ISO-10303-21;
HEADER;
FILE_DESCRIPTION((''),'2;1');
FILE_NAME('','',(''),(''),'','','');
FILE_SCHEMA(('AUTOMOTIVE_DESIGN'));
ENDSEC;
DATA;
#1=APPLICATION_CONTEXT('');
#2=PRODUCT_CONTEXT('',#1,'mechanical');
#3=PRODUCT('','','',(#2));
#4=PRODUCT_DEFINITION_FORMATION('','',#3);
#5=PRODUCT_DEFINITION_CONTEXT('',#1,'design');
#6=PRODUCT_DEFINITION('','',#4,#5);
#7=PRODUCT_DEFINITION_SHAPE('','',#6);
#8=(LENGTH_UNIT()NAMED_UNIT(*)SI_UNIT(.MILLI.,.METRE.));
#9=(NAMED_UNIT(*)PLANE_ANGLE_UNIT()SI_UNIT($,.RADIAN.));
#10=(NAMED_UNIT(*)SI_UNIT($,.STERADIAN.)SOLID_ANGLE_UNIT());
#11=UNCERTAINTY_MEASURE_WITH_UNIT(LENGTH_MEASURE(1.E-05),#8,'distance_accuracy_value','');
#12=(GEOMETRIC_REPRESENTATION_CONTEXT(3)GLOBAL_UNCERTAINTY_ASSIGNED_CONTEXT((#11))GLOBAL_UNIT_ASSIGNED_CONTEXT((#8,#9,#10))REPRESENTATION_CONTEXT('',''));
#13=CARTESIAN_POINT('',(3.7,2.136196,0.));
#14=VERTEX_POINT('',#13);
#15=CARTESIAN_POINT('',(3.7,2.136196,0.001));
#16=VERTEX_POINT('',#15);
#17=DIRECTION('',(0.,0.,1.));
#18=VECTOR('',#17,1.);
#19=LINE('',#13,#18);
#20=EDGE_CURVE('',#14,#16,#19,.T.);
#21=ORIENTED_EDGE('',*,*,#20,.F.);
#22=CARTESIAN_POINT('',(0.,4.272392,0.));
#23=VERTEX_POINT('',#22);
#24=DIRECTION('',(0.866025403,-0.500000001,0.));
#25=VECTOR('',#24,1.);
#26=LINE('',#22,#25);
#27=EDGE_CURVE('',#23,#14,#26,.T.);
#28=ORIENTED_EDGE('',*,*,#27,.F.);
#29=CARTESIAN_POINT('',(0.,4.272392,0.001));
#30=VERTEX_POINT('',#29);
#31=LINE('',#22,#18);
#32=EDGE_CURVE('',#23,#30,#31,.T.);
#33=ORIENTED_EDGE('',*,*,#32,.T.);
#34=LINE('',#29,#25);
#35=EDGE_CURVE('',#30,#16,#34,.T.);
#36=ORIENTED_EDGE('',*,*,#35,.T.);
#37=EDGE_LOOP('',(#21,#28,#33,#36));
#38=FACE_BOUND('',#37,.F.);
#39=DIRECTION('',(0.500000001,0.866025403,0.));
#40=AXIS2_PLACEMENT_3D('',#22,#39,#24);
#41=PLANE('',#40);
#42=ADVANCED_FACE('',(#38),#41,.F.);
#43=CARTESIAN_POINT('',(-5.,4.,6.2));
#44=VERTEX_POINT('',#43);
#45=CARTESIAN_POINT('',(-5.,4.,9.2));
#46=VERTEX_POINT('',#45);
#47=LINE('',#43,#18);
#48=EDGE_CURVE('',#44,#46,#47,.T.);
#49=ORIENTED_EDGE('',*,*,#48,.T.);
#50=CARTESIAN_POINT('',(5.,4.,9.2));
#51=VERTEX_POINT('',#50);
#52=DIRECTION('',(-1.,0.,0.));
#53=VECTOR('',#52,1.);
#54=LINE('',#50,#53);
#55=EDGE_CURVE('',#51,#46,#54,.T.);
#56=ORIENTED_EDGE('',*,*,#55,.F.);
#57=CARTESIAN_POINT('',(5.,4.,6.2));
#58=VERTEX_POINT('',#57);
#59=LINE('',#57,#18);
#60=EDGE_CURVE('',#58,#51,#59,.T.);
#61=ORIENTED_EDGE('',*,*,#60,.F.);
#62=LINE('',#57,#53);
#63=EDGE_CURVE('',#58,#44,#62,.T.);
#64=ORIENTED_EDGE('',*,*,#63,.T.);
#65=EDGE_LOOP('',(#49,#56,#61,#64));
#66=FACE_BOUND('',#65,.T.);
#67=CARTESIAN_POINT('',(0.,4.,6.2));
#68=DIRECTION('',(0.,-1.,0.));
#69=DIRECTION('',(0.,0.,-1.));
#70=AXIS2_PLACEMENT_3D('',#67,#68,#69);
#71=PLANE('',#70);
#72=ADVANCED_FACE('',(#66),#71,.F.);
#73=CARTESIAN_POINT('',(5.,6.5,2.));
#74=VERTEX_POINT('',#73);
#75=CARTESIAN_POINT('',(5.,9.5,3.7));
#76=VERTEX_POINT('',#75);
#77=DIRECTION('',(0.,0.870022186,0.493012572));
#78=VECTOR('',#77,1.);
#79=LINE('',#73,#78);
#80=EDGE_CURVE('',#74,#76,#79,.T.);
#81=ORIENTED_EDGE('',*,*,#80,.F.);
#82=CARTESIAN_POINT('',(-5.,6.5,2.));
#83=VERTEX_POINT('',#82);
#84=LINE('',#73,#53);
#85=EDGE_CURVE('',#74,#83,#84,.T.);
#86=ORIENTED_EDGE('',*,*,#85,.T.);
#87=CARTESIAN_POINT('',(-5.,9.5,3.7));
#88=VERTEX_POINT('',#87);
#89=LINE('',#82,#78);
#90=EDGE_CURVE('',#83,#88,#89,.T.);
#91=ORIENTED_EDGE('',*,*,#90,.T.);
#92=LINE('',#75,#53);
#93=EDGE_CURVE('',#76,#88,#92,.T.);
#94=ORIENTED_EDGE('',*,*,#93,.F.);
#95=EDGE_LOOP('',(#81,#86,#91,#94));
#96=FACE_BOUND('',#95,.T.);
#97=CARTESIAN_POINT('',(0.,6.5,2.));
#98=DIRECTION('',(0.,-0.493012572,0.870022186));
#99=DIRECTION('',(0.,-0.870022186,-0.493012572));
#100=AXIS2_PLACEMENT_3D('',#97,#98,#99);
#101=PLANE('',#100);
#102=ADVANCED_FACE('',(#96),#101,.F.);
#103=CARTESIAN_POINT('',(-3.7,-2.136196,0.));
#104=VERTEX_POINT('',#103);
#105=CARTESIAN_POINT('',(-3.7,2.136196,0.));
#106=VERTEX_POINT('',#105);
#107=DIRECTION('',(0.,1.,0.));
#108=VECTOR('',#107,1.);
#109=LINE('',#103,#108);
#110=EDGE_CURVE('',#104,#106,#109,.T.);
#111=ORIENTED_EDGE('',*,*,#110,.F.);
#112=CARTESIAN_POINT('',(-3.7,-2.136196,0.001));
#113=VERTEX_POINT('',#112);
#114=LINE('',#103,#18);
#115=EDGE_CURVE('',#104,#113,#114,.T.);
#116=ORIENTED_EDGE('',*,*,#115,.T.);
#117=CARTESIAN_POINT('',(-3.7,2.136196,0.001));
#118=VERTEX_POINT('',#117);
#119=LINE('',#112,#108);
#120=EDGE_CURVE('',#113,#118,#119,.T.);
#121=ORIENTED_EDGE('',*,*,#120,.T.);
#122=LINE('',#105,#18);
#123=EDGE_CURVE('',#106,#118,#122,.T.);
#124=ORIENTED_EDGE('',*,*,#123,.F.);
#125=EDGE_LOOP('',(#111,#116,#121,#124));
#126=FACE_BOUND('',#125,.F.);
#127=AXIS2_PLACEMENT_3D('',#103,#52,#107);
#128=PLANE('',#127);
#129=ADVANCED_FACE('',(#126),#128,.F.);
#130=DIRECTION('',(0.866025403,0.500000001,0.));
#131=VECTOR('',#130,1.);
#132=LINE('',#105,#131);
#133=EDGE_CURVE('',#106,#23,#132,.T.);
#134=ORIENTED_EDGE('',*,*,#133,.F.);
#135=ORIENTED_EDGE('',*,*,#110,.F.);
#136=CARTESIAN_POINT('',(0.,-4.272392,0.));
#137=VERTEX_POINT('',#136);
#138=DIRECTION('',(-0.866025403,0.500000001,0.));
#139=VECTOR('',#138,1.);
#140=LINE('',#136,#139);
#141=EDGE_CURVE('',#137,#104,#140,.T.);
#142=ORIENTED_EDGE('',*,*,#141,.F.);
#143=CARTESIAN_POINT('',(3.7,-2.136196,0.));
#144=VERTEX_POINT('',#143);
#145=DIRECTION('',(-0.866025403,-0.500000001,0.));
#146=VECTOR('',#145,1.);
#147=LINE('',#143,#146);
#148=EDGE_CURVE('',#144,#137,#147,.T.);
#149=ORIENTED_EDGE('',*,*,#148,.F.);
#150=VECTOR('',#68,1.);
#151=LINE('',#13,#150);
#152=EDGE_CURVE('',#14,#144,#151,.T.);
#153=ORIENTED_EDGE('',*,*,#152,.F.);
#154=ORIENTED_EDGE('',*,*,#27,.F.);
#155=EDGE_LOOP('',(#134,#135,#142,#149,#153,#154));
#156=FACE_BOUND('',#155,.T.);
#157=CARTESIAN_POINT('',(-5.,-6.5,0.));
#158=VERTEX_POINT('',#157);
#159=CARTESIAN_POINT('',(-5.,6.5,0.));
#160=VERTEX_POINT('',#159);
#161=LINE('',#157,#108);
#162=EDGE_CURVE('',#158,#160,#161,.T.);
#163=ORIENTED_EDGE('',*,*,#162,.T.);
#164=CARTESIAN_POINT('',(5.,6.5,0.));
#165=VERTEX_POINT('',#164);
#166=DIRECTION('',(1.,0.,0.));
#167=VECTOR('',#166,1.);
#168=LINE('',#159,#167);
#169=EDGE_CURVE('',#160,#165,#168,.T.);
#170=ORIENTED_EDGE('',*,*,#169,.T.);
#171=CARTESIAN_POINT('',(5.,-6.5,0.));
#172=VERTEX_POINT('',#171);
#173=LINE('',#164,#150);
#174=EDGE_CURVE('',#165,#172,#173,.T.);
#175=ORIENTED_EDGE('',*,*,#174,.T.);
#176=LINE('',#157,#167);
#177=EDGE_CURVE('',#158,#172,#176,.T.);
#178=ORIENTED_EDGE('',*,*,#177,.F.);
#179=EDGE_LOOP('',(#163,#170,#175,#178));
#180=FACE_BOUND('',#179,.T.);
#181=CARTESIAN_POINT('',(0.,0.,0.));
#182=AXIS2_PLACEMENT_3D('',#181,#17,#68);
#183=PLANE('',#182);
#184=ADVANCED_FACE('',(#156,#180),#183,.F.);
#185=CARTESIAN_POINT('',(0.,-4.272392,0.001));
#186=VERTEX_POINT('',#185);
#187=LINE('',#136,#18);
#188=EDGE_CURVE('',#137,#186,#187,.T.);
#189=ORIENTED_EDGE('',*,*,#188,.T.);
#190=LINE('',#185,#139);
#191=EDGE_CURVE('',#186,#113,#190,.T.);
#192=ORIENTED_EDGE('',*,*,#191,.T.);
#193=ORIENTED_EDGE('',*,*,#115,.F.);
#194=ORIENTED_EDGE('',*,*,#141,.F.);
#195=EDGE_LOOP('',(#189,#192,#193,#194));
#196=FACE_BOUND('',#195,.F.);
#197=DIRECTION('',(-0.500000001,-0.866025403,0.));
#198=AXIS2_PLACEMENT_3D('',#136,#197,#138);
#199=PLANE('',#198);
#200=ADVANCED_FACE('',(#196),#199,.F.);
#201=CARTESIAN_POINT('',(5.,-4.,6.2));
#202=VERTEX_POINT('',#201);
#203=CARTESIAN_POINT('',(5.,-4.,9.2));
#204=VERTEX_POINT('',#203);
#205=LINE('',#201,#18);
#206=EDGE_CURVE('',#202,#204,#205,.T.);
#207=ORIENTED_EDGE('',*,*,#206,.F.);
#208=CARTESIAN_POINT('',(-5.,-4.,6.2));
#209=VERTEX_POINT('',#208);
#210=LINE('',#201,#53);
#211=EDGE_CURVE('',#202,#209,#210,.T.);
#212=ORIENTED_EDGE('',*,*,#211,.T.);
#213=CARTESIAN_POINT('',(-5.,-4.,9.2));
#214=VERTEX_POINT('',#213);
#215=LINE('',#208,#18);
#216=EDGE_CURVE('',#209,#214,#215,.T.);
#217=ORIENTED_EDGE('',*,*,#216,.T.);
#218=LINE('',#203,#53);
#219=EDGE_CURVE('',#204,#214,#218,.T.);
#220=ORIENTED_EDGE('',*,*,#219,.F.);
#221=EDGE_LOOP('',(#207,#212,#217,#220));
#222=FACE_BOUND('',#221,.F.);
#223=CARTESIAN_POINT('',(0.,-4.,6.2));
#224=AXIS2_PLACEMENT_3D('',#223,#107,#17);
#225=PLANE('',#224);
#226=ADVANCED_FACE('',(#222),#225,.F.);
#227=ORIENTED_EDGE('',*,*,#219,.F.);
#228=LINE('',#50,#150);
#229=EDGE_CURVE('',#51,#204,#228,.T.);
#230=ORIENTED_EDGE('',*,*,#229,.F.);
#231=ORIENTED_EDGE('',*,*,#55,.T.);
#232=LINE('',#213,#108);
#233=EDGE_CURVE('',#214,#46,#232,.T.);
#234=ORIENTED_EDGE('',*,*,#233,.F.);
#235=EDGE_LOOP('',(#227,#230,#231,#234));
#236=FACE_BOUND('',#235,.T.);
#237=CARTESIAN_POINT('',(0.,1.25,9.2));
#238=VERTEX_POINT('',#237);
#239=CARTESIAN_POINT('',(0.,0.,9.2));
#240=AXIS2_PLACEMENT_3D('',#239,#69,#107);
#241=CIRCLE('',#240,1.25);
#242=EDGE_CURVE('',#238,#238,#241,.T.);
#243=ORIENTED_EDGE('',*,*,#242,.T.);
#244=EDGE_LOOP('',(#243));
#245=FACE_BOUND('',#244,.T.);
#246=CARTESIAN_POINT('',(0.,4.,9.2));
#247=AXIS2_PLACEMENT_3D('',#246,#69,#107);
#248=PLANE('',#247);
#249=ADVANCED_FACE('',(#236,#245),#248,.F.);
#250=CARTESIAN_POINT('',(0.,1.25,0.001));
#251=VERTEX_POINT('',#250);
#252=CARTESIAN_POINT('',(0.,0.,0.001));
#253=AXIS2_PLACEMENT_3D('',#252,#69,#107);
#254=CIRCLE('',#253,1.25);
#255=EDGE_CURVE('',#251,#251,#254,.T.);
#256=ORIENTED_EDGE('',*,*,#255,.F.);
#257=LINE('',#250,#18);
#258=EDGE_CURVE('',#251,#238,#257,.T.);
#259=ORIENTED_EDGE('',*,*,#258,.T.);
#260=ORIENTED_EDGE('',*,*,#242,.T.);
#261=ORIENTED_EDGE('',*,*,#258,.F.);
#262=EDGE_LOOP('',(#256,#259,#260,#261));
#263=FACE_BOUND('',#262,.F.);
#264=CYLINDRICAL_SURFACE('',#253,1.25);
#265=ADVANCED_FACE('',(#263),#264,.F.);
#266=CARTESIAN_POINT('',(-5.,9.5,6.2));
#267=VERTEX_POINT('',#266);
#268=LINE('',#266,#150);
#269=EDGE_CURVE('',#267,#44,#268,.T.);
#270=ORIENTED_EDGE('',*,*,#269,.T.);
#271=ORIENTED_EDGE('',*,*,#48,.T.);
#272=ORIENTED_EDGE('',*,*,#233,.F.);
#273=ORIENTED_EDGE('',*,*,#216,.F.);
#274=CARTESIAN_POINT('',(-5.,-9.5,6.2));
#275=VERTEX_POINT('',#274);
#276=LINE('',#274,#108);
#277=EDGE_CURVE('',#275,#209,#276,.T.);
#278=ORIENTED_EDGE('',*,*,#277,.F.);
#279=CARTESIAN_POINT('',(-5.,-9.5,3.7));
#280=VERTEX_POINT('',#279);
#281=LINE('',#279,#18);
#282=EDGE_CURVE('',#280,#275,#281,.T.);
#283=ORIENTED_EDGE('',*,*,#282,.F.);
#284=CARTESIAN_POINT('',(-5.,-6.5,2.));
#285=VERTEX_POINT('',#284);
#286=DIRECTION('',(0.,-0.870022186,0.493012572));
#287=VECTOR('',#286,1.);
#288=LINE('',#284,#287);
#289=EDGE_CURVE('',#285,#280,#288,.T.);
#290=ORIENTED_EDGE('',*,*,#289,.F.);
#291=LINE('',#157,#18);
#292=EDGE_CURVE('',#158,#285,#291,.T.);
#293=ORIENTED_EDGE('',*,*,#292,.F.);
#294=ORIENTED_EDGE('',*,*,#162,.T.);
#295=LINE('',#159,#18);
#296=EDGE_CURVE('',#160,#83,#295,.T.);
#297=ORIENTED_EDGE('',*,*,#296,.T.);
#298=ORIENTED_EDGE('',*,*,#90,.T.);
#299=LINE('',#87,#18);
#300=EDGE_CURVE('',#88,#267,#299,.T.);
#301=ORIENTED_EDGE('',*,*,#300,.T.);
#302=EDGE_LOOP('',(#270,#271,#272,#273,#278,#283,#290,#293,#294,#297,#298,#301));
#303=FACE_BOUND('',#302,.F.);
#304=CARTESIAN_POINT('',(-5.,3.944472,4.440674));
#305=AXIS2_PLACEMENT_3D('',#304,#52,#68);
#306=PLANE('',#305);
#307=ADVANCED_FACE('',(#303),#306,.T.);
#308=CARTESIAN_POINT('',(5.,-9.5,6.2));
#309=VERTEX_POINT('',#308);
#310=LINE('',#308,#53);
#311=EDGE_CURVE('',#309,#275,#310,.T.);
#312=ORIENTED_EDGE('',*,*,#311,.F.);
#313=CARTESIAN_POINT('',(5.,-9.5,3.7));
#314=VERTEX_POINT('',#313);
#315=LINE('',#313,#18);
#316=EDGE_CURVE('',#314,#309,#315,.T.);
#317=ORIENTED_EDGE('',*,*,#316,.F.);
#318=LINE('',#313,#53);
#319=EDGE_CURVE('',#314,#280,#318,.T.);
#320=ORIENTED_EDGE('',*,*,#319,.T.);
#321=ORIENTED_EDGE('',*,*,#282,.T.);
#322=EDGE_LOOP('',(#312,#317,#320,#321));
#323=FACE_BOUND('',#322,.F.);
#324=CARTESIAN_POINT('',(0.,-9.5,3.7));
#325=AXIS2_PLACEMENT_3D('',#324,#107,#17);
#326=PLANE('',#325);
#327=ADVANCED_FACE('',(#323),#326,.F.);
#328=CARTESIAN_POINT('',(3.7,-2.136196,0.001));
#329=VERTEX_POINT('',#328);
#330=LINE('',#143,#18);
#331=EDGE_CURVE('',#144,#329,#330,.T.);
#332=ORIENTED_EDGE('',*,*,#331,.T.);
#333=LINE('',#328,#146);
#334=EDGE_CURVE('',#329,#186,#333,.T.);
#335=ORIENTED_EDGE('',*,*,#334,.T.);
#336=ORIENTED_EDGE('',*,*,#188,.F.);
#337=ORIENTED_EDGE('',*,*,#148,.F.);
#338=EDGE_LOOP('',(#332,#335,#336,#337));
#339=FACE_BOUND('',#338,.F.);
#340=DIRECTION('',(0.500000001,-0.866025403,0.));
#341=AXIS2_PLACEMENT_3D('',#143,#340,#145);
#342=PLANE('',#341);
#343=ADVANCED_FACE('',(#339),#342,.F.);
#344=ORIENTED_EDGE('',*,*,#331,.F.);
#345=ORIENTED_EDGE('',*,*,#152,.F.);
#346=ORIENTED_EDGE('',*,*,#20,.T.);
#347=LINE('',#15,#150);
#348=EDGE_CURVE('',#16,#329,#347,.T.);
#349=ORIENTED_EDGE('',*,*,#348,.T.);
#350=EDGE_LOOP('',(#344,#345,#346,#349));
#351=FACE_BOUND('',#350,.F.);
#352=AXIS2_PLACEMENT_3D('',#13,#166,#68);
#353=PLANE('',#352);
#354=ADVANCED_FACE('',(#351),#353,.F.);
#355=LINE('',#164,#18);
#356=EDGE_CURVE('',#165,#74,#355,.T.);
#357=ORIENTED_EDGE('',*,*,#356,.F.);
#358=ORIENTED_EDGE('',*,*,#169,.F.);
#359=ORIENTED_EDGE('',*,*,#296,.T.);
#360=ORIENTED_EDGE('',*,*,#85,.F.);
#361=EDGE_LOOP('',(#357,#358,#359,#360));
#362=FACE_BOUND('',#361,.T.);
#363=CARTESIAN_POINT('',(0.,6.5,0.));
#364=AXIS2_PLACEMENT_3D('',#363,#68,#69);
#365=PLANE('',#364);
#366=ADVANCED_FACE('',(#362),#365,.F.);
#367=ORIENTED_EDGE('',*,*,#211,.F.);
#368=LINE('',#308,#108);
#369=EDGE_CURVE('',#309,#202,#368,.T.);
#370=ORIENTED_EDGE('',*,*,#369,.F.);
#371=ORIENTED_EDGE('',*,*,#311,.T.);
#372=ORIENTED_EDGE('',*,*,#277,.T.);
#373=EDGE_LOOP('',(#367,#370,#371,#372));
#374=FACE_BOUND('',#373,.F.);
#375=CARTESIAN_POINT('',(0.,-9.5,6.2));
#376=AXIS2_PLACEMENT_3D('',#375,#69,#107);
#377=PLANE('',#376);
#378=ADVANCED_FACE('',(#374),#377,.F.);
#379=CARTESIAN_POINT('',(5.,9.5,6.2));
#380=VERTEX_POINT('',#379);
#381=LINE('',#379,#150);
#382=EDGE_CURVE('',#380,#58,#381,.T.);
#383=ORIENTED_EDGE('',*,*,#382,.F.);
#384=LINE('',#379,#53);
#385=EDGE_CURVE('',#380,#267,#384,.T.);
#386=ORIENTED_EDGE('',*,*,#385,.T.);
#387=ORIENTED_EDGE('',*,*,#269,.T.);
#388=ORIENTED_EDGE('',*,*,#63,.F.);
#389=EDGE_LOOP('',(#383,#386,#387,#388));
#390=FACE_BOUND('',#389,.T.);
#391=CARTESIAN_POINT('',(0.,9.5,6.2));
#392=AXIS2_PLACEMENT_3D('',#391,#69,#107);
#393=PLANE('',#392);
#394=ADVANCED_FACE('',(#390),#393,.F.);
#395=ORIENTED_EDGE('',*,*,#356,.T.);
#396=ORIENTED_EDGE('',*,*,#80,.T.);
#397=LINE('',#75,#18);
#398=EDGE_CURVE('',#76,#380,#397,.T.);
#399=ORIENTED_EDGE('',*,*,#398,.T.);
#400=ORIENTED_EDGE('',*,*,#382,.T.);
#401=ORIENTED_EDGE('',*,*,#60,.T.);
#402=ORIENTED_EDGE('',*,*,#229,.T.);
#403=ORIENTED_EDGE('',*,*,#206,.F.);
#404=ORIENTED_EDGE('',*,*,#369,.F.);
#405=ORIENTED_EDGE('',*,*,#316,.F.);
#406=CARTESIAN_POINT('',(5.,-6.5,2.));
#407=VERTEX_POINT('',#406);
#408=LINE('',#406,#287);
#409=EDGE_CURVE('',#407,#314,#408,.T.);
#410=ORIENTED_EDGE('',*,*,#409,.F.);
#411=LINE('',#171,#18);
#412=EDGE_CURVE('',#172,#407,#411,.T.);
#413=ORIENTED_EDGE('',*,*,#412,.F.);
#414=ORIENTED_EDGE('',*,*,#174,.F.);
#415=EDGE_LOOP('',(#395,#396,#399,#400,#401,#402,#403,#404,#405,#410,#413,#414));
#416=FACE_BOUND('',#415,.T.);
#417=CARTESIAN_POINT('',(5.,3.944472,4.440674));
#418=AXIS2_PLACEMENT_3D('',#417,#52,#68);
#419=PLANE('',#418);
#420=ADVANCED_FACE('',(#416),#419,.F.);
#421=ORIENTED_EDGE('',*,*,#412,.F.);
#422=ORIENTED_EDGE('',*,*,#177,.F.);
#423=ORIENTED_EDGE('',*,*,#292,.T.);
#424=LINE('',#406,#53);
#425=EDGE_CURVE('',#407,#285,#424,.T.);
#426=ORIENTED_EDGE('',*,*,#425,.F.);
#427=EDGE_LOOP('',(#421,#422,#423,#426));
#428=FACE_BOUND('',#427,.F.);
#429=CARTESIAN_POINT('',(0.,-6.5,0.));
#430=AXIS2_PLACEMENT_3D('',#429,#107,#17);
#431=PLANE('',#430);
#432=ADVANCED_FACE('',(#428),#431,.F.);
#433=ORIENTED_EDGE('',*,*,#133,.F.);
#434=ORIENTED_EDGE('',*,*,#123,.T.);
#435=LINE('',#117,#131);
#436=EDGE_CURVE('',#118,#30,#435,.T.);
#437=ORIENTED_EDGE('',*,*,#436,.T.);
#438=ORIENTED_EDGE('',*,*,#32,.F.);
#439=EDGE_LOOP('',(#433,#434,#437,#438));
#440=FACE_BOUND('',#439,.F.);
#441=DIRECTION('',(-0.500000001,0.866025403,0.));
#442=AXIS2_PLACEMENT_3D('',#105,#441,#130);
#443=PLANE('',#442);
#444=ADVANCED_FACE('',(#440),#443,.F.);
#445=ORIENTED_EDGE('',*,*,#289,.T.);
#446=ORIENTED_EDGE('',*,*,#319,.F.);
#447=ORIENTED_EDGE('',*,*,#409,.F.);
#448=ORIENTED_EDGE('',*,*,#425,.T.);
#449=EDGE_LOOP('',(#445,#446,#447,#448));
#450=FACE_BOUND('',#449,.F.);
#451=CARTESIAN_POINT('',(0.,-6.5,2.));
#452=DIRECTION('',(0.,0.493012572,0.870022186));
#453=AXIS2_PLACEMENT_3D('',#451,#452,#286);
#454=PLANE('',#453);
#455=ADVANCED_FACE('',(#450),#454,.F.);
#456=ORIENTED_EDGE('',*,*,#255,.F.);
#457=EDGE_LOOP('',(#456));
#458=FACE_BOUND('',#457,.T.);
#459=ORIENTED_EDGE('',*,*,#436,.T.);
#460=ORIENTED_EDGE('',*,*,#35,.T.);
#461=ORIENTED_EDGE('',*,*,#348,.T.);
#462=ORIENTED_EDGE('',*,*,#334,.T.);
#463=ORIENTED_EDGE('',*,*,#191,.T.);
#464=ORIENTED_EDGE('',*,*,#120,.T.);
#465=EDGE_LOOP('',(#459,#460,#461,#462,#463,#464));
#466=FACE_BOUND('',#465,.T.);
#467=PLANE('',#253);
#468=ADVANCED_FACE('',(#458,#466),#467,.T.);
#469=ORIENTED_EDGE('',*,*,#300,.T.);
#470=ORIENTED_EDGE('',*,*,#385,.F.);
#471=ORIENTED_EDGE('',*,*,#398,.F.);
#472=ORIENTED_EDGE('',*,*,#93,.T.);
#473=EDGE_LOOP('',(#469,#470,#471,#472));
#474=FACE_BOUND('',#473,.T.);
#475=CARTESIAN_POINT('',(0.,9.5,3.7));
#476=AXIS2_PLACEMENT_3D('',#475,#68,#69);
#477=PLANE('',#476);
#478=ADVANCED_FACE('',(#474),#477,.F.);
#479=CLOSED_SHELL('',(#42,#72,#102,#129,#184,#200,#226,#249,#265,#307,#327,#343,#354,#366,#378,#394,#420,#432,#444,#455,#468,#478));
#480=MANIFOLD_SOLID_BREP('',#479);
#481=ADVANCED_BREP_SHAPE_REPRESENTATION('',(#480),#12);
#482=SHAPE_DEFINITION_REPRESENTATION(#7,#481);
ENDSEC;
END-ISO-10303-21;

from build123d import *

# Parameters (mm, degrees)
PAD005_DEPTH    = 5
POCKET002_DEPTH = 0.001
SKETCH010_R     = 1.25
POCKET003_DEPTH = 9.2


with BuildPart() as part:
    # Sketch008 → Pad005 (new body, symmetric)
    with BuildSketch(Plane.YZ):
        Polygon((-6.5, 0), (-6.5, 2), (-9.5, 3.7), (-9.5, 6.2), (-4, 6.2), (-4, 9.2), (0, 9.2), (0, 0), align=None)
    pad005 = extrude(amount=PAD005_DEPTH, both=True)

    # Mirrored: Pad005 across Sketch008 V_Axis
    add(pad005.mirror(Plane(origin=(0, 0, 0), x_dir=(1, 0, 0), z_dir=(0, 1, 0))))

    # Sketch009 (on Face2 of Mirrored) → Pocket002 (cut)
    with BuildSketch(Plane.YX):
        Polygon((-2.136196, 3.7), (-4.272392, 0), (-2.136196, -3.7), (2.136196, -3.7), (4.272392, 0), (2.136196, 3.7), align=None)
    extrude(amount=-POCKET002_DEPTH, mode=Mode.SUBTRACT)

    # Sketch010 (on Face20 of Pocket002) → Pocket003 (cut, through all)
    with BuildSketch(Plane.YX.offset(-0.001)):
        Circle(SKETCH010_R)
    extrude(amount=-POCKET003_DEPTH, mode=Mode.SUBTRACT)


solid = part.part
